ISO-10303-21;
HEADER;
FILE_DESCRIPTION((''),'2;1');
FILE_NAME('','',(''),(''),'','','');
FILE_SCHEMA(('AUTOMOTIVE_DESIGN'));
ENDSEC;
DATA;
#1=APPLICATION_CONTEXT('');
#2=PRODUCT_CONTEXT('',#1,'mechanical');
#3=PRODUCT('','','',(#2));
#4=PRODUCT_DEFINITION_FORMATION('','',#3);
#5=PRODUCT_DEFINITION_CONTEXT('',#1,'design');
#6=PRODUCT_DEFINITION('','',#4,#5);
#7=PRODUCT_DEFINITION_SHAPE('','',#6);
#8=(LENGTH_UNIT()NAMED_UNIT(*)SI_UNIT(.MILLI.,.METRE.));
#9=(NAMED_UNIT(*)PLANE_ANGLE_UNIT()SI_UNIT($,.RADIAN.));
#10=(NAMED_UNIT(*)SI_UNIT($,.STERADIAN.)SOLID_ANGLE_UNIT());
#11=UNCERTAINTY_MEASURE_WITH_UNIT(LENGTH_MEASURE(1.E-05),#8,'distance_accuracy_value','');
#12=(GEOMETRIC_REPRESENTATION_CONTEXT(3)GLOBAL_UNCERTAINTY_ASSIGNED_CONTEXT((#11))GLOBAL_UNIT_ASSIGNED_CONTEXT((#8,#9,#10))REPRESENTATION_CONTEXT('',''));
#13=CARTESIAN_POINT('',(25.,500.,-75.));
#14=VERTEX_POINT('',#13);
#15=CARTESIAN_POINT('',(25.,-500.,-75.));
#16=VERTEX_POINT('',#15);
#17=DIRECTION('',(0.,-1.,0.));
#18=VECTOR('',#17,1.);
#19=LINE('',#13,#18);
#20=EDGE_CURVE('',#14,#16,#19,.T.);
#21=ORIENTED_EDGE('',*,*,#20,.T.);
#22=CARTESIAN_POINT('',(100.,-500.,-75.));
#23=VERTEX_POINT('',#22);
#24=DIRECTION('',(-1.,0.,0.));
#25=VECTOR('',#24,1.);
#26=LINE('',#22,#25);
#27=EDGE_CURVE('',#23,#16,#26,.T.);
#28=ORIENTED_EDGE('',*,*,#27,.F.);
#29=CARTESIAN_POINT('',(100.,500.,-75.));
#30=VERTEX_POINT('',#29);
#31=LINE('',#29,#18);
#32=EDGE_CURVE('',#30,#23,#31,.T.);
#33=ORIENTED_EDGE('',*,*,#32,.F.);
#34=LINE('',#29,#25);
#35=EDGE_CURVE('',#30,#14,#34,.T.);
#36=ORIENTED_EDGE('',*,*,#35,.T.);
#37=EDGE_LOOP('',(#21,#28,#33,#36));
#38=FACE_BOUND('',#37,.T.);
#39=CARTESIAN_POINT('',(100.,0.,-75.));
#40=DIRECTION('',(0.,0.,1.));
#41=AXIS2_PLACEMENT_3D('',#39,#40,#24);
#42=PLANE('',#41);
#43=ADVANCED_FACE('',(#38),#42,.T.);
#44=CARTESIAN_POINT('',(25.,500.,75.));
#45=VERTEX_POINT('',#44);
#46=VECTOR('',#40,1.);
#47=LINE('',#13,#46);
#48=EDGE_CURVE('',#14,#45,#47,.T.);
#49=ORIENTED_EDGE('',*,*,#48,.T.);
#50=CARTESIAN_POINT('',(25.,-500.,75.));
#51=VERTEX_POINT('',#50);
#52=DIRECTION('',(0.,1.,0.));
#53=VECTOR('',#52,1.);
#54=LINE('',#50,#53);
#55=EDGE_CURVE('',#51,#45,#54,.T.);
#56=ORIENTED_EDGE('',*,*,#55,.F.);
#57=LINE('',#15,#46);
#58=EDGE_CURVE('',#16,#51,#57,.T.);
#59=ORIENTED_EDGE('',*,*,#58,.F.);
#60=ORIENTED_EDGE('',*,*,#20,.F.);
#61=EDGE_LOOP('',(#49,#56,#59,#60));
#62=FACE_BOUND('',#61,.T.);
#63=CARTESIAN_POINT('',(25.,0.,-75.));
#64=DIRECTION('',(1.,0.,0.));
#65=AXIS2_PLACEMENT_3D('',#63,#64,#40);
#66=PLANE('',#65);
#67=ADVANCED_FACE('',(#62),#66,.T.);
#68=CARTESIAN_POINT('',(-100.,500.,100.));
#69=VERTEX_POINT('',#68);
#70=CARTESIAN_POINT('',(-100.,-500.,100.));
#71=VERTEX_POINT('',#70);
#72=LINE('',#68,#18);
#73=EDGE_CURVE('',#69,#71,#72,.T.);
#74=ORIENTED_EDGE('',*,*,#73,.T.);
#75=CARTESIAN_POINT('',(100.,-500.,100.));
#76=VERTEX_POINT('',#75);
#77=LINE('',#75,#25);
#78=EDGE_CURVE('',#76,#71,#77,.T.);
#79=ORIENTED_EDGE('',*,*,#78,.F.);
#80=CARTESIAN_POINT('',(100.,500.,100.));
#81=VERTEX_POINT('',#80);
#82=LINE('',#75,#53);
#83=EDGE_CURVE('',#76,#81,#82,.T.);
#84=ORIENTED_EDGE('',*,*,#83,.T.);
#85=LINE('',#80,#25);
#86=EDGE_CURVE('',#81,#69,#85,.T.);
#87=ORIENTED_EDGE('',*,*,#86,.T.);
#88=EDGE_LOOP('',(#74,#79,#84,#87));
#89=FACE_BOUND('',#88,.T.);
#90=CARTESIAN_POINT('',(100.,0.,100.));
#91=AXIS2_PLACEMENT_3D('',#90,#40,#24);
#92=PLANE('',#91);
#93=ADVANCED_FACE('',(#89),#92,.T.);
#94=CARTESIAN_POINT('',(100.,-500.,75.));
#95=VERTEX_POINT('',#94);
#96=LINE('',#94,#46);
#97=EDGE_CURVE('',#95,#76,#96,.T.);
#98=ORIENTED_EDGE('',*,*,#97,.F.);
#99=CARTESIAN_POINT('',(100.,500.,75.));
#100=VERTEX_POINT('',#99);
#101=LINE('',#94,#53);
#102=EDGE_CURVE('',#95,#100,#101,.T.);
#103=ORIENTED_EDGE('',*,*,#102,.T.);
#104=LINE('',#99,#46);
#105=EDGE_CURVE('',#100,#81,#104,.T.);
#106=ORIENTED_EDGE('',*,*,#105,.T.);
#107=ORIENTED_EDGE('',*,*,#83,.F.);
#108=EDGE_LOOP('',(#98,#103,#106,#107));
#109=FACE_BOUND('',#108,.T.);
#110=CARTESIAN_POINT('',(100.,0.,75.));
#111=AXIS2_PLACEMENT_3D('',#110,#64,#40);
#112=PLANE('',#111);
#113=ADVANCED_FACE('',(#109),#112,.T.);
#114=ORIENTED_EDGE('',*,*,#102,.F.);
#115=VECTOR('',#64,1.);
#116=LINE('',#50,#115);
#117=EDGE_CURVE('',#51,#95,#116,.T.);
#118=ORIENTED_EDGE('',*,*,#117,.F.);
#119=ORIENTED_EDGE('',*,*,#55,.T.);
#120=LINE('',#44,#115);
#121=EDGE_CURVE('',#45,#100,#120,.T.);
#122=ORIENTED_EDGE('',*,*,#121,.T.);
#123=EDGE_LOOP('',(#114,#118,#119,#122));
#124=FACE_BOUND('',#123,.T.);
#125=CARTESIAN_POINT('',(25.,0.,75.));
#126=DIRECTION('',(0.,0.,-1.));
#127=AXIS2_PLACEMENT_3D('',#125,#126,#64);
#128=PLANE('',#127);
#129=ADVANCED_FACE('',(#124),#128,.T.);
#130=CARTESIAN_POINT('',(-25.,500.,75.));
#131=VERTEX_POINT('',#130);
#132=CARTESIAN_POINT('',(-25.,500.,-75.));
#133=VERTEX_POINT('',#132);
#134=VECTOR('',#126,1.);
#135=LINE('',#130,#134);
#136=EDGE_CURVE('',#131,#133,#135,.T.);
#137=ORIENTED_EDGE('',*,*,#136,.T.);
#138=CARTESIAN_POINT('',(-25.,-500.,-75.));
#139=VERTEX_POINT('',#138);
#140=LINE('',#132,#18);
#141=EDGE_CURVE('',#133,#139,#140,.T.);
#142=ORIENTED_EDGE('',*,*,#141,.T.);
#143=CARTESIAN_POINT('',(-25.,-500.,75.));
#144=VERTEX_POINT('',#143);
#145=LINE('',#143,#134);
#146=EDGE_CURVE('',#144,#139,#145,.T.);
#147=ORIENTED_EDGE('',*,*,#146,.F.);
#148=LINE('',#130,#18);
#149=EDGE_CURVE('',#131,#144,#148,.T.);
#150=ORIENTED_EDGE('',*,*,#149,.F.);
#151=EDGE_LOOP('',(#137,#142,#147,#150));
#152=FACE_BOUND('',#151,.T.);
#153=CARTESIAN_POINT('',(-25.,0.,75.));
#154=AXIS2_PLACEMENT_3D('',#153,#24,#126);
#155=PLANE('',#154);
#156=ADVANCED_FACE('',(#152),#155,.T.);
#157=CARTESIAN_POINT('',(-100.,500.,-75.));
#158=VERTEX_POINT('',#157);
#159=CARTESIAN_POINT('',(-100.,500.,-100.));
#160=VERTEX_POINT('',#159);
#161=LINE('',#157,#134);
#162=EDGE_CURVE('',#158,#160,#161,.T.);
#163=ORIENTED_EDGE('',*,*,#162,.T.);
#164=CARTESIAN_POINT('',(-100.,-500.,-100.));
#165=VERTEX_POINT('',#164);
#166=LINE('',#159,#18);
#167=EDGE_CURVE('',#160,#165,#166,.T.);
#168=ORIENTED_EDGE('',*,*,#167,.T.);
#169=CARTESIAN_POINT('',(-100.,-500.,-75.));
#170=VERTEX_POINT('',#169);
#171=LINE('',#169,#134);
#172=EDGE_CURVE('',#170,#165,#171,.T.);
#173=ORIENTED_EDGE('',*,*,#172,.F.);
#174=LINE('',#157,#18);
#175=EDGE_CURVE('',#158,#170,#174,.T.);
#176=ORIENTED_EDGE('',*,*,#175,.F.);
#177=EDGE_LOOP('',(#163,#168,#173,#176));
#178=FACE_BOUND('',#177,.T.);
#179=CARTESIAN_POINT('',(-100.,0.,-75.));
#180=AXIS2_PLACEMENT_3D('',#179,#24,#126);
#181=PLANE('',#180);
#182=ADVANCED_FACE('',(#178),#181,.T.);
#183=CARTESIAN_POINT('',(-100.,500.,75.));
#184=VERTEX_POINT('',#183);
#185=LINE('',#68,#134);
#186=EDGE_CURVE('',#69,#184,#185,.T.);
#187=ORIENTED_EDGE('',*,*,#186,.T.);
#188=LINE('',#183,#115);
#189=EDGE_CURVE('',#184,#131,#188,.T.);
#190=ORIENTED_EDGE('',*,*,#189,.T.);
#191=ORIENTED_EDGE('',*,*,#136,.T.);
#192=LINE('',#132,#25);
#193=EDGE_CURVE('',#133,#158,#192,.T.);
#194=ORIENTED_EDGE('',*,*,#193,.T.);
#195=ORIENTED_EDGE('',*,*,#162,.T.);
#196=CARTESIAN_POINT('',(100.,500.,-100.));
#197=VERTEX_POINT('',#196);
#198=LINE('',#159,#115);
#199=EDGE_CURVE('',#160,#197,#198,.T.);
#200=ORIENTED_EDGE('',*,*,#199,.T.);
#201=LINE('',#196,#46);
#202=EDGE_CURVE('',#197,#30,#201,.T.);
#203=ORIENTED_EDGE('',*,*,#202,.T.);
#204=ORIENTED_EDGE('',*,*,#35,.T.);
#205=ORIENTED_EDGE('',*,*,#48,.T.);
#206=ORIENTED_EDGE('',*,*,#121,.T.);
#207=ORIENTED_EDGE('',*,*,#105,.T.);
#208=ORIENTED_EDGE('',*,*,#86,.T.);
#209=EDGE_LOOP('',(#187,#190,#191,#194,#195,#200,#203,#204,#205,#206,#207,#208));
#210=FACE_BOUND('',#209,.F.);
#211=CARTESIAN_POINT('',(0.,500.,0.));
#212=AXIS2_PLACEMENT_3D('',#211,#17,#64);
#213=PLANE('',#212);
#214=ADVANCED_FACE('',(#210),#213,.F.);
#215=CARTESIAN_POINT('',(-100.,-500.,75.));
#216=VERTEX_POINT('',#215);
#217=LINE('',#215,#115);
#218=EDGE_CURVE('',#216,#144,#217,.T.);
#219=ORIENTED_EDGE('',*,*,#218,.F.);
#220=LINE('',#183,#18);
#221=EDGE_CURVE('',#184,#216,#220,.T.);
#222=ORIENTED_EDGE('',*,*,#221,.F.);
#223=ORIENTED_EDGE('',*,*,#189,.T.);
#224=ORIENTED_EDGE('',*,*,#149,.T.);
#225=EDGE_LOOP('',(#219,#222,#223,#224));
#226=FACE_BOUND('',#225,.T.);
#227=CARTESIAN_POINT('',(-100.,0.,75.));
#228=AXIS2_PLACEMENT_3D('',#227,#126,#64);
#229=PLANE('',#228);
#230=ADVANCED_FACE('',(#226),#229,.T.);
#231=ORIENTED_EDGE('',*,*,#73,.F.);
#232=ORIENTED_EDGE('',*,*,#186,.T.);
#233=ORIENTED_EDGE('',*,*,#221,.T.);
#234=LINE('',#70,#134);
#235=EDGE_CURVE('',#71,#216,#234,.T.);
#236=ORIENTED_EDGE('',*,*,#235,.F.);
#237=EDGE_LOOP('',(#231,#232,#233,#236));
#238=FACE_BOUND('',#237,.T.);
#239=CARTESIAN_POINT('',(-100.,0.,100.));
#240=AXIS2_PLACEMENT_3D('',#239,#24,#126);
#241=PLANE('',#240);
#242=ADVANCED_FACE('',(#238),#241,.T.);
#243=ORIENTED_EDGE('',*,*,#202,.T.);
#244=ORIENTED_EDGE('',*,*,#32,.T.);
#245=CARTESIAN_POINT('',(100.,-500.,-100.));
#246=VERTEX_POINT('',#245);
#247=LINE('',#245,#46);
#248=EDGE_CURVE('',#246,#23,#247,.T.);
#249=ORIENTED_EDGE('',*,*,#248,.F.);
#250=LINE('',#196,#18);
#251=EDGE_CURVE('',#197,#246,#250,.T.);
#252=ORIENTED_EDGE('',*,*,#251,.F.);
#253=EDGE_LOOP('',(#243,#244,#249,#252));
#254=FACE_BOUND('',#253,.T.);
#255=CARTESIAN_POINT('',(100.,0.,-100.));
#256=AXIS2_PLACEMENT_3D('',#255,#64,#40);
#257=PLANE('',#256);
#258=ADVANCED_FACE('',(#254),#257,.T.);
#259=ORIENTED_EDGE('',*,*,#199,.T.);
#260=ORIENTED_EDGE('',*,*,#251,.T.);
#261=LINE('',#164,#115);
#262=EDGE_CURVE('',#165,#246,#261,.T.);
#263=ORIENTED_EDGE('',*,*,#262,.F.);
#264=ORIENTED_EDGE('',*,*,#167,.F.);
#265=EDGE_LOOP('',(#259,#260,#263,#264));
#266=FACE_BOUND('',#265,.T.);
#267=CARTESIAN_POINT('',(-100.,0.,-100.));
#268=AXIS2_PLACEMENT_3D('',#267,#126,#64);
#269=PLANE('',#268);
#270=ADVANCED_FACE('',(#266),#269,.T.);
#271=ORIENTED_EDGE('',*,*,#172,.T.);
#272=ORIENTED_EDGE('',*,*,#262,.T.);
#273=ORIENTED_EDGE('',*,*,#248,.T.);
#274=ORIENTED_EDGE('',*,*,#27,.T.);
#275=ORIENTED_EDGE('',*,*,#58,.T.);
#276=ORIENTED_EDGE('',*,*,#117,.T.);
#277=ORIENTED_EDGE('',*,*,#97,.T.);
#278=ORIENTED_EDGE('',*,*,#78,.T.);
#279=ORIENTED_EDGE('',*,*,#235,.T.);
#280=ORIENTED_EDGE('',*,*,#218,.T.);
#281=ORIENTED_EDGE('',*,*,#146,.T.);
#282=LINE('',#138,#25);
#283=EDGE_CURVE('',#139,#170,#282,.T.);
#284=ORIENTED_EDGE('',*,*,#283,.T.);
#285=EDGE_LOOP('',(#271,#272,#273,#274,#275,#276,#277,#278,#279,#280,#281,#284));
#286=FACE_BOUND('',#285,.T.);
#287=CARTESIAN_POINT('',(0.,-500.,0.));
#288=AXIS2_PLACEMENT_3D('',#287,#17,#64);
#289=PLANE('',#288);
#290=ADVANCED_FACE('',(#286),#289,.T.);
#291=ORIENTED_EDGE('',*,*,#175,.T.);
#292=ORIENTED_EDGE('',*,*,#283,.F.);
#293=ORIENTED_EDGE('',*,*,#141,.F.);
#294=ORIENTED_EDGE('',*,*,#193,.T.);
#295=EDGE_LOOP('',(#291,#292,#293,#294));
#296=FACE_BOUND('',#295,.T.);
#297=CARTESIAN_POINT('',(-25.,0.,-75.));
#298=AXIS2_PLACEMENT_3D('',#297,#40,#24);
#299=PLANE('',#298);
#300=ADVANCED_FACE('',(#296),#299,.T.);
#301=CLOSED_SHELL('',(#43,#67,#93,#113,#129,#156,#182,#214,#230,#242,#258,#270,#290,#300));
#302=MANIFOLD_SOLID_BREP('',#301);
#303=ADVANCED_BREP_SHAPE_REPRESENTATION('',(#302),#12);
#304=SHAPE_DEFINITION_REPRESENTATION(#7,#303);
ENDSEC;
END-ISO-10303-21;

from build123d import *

# Parameters (mm, degrees)
F1_DEPTH = 500


with BuildPart() as f1:
    # F0 (on Front) → F1 (new body, symmetric)
    with BuildSketch(Plane.XZ):
        Polygon((100, 100), (0, 100), (-100, 100), (-100, 75), (-25, 75), (-25, 0), (-25, -75), (-100, -75), (-100, -100), (0, -100), (100, -100), (100, -75), (25, -75), (25, 0), (25, 75), (100, 75), align=None)
    extrude(amount=F1_DEPTH, both=True)


solid = f1.part
